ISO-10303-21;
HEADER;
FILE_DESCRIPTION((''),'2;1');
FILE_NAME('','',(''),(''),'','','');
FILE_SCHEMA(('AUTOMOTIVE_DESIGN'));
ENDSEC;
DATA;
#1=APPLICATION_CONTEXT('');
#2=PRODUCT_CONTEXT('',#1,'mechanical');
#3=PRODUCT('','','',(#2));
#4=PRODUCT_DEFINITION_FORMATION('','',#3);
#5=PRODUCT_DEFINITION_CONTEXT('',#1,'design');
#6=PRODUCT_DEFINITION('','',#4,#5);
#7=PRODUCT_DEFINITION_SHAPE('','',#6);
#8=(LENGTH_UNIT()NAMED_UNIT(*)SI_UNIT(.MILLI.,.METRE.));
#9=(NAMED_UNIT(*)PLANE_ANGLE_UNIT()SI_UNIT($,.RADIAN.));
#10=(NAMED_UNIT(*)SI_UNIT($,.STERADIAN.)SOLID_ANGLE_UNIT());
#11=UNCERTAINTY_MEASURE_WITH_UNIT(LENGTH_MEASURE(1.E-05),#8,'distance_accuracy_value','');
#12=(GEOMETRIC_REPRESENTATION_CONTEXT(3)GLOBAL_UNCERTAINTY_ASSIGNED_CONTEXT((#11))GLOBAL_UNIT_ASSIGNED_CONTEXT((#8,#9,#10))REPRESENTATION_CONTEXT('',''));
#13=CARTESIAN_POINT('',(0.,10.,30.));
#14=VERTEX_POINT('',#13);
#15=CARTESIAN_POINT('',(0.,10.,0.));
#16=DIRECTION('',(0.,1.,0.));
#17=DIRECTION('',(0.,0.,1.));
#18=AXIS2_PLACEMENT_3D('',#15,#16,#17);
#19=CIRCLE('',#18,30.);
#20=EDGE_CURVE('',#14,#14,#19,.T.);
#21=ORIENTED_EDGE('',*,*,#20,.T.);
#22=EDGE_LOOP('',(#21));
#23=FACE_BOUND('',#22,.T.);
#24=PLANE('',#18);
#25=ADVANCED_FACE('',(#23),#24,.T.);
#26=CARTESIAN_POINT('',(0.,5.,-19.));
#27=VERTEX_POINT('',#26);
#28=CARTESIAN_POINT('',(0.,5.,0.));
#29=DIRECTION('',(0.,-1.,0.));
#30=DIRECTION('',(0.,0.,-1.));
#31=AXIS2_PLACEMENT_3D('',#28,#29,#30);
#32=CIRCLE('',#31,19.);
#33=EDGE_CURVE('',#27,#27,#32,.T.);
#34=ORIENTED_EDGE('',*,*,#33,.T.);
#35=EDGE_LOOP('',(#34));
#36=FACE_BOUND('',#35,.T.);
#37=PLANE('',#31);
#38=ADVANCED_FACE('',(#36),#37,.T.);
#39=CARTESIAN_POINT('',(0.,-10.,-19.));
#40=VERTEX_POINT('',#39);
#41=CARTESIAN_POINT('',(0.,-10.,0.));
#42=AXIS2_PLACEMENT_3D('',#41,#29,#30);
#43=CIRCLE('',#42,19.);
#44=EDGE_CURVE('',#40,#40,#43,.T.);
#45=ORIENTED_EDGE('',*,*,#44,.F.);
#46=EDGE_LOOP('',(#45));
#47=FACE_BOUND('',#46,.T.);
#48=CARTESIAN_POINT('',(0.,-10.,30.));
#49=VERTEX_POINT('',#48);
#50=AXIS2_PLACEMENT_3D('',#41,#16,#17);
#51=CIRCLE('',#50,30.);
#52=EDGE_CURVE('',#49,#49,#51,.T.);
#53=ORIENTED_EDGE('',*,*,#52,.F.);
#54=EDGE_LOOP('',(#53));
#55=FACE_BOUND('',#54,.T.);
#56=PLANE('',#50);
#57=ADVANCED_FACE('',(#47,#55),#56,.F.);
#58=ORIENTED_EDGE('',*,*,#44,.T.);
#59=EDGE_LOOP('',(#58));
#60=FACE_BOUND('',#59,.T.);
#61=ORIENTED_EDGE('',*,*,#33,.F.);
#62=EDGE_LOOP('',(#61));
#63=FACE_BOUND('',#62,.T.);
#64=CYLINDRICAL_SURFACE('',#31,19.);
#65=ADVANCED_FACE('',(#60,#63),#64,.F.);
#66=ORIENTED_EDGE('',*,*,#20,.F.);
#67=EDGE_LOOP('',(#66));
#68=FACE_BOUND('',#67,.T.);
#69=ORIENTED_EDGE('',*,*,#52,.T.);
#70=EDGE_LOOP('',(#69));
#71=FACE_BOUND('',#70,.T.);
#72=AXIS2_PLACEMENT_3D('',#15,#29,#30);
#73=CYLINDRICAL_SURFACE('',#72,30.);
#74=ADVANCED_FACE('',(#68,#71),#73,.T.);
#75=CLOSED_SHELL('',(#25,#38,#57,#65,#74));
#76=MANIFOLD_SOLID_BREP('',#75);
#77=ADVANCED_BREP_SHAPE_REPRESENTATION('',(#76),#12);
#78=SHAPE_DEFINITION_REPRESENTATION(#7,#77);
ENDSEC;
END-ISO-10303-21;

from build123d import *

# Parameters (mm, degrees)
SKETCH1_R           = 30
BOSS_EXTRUDE1_DEPTH = 10
SKETCH2_R           = 19
CUT_EXTRUDE1_DEPTH  = 15


with BuildPart() as part:
    # Sketch1 → Boss-Extrude1 (new, symmetric)
    with BuildSketch(Plane(origin=(0, 0, 0), x_dir=(1, 0, 0), z_dir=(0, 1, 0))):
        with Locations(Location((0, 0, 0), (0, 0, 270))):
            Circle(SKETCH1_R)
    extrude(amount=BOSS_EXTRUDE1_DEPTH, both=True)

    # Sketch2 → Cut-Extrude1 (cut)
    with BuildSketch(Plane.XZ.offset(10)):
        with Locations(Location((0, 0, 0), (0, 0, 270))):
            Circle(SKETCH2_R)
    extrude(amount=-CUT_EXTRUDE1_DEPTH, mode=Mode.SUBTRACT)


solid = part.part
